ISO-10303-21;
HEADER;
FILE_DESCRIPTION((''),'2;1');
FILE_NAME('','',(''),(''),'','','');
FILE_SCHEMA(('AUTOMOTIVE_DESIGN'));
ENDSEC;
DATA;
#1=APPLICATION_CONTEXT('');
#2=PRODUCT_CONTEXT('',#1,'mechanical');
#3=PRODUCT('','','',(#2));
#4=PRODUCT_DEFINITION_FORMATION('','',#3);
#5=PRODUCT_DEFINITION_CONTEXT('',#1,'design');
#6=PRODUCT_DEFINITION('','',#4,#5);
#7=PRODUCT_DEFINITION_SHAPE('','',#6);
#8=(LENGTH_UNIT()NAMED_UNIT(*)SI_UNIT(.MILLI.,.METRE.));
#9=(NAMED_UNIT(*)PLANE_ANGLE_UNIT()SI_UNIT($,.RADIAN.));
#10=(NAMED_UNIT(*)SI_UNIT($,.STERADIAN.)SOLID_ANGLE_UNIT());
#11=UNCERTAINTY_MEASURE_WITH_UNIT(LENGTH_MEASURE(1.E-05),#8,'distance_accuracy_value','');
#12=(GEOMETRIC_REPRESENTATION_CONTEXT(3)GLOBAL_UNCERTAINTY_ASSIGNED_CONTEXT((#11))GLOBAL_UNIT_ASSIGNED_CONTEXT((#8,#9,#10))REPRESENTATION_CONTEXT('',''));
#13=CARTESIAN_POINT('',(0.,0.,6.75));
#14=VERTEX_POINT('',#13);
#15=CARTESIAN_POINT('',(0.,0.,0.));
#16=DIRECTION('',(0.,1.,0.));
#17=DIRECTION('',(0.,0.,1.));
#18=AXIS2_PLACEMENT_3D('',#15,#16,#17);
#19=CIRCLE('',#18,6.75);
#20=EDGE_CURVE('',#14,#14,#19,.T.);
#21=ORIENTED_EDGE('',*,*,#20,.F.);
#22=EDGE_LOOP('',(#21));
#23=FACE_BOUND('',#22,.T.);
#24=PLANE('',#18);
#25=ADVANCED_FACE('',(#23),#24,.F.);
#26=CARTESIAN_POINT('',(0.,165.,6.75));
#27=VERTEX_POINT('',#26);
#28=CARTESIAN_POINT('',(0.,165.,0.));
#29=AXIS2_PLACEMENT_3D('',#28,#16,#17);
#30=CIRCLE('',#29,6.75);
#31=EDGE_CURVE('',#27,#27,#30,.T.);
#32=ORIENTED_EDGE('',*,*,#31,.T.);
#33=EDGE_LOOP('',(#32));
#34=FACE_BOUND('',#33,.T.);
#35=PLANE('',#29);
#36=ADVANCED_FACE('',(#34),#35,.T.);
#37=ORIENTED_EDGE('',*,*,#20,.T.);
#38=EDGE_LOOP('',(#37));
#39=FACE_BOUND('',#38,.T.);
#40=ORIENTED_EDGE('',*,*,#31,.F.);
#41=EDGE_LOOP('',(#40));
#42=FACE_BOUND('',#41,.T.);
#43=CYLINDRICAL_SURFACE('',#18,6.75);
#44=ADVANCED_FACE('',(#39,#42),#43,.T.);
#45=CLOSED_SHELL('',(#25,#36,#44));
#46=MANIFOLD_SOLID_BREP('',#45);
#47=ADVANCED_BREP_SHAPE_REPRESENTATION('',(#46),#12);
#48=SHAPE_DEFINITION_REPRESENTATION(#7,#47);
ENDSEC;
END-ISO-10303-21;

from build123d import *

# Parameters (mm, degrees)
SKETCH2_R = 6.75


with BuildPart() as part:
    # Sweep1: sweep along a path in Sketch1
    with BuildLine(Plane.XY) as sweep1_path:
        Line((0, 0), (0, 165))
    # Sketch2 → Sweep1 (sweep)
    with BuildSketch(Plane(origin=(0, 0, 0), x_dir=(1, 0, 0), z_dir=(0, 1, 0))):
        Circle(SKETCH2_R)
    sweep(path=sweep1_path.line)


solid = part.part
